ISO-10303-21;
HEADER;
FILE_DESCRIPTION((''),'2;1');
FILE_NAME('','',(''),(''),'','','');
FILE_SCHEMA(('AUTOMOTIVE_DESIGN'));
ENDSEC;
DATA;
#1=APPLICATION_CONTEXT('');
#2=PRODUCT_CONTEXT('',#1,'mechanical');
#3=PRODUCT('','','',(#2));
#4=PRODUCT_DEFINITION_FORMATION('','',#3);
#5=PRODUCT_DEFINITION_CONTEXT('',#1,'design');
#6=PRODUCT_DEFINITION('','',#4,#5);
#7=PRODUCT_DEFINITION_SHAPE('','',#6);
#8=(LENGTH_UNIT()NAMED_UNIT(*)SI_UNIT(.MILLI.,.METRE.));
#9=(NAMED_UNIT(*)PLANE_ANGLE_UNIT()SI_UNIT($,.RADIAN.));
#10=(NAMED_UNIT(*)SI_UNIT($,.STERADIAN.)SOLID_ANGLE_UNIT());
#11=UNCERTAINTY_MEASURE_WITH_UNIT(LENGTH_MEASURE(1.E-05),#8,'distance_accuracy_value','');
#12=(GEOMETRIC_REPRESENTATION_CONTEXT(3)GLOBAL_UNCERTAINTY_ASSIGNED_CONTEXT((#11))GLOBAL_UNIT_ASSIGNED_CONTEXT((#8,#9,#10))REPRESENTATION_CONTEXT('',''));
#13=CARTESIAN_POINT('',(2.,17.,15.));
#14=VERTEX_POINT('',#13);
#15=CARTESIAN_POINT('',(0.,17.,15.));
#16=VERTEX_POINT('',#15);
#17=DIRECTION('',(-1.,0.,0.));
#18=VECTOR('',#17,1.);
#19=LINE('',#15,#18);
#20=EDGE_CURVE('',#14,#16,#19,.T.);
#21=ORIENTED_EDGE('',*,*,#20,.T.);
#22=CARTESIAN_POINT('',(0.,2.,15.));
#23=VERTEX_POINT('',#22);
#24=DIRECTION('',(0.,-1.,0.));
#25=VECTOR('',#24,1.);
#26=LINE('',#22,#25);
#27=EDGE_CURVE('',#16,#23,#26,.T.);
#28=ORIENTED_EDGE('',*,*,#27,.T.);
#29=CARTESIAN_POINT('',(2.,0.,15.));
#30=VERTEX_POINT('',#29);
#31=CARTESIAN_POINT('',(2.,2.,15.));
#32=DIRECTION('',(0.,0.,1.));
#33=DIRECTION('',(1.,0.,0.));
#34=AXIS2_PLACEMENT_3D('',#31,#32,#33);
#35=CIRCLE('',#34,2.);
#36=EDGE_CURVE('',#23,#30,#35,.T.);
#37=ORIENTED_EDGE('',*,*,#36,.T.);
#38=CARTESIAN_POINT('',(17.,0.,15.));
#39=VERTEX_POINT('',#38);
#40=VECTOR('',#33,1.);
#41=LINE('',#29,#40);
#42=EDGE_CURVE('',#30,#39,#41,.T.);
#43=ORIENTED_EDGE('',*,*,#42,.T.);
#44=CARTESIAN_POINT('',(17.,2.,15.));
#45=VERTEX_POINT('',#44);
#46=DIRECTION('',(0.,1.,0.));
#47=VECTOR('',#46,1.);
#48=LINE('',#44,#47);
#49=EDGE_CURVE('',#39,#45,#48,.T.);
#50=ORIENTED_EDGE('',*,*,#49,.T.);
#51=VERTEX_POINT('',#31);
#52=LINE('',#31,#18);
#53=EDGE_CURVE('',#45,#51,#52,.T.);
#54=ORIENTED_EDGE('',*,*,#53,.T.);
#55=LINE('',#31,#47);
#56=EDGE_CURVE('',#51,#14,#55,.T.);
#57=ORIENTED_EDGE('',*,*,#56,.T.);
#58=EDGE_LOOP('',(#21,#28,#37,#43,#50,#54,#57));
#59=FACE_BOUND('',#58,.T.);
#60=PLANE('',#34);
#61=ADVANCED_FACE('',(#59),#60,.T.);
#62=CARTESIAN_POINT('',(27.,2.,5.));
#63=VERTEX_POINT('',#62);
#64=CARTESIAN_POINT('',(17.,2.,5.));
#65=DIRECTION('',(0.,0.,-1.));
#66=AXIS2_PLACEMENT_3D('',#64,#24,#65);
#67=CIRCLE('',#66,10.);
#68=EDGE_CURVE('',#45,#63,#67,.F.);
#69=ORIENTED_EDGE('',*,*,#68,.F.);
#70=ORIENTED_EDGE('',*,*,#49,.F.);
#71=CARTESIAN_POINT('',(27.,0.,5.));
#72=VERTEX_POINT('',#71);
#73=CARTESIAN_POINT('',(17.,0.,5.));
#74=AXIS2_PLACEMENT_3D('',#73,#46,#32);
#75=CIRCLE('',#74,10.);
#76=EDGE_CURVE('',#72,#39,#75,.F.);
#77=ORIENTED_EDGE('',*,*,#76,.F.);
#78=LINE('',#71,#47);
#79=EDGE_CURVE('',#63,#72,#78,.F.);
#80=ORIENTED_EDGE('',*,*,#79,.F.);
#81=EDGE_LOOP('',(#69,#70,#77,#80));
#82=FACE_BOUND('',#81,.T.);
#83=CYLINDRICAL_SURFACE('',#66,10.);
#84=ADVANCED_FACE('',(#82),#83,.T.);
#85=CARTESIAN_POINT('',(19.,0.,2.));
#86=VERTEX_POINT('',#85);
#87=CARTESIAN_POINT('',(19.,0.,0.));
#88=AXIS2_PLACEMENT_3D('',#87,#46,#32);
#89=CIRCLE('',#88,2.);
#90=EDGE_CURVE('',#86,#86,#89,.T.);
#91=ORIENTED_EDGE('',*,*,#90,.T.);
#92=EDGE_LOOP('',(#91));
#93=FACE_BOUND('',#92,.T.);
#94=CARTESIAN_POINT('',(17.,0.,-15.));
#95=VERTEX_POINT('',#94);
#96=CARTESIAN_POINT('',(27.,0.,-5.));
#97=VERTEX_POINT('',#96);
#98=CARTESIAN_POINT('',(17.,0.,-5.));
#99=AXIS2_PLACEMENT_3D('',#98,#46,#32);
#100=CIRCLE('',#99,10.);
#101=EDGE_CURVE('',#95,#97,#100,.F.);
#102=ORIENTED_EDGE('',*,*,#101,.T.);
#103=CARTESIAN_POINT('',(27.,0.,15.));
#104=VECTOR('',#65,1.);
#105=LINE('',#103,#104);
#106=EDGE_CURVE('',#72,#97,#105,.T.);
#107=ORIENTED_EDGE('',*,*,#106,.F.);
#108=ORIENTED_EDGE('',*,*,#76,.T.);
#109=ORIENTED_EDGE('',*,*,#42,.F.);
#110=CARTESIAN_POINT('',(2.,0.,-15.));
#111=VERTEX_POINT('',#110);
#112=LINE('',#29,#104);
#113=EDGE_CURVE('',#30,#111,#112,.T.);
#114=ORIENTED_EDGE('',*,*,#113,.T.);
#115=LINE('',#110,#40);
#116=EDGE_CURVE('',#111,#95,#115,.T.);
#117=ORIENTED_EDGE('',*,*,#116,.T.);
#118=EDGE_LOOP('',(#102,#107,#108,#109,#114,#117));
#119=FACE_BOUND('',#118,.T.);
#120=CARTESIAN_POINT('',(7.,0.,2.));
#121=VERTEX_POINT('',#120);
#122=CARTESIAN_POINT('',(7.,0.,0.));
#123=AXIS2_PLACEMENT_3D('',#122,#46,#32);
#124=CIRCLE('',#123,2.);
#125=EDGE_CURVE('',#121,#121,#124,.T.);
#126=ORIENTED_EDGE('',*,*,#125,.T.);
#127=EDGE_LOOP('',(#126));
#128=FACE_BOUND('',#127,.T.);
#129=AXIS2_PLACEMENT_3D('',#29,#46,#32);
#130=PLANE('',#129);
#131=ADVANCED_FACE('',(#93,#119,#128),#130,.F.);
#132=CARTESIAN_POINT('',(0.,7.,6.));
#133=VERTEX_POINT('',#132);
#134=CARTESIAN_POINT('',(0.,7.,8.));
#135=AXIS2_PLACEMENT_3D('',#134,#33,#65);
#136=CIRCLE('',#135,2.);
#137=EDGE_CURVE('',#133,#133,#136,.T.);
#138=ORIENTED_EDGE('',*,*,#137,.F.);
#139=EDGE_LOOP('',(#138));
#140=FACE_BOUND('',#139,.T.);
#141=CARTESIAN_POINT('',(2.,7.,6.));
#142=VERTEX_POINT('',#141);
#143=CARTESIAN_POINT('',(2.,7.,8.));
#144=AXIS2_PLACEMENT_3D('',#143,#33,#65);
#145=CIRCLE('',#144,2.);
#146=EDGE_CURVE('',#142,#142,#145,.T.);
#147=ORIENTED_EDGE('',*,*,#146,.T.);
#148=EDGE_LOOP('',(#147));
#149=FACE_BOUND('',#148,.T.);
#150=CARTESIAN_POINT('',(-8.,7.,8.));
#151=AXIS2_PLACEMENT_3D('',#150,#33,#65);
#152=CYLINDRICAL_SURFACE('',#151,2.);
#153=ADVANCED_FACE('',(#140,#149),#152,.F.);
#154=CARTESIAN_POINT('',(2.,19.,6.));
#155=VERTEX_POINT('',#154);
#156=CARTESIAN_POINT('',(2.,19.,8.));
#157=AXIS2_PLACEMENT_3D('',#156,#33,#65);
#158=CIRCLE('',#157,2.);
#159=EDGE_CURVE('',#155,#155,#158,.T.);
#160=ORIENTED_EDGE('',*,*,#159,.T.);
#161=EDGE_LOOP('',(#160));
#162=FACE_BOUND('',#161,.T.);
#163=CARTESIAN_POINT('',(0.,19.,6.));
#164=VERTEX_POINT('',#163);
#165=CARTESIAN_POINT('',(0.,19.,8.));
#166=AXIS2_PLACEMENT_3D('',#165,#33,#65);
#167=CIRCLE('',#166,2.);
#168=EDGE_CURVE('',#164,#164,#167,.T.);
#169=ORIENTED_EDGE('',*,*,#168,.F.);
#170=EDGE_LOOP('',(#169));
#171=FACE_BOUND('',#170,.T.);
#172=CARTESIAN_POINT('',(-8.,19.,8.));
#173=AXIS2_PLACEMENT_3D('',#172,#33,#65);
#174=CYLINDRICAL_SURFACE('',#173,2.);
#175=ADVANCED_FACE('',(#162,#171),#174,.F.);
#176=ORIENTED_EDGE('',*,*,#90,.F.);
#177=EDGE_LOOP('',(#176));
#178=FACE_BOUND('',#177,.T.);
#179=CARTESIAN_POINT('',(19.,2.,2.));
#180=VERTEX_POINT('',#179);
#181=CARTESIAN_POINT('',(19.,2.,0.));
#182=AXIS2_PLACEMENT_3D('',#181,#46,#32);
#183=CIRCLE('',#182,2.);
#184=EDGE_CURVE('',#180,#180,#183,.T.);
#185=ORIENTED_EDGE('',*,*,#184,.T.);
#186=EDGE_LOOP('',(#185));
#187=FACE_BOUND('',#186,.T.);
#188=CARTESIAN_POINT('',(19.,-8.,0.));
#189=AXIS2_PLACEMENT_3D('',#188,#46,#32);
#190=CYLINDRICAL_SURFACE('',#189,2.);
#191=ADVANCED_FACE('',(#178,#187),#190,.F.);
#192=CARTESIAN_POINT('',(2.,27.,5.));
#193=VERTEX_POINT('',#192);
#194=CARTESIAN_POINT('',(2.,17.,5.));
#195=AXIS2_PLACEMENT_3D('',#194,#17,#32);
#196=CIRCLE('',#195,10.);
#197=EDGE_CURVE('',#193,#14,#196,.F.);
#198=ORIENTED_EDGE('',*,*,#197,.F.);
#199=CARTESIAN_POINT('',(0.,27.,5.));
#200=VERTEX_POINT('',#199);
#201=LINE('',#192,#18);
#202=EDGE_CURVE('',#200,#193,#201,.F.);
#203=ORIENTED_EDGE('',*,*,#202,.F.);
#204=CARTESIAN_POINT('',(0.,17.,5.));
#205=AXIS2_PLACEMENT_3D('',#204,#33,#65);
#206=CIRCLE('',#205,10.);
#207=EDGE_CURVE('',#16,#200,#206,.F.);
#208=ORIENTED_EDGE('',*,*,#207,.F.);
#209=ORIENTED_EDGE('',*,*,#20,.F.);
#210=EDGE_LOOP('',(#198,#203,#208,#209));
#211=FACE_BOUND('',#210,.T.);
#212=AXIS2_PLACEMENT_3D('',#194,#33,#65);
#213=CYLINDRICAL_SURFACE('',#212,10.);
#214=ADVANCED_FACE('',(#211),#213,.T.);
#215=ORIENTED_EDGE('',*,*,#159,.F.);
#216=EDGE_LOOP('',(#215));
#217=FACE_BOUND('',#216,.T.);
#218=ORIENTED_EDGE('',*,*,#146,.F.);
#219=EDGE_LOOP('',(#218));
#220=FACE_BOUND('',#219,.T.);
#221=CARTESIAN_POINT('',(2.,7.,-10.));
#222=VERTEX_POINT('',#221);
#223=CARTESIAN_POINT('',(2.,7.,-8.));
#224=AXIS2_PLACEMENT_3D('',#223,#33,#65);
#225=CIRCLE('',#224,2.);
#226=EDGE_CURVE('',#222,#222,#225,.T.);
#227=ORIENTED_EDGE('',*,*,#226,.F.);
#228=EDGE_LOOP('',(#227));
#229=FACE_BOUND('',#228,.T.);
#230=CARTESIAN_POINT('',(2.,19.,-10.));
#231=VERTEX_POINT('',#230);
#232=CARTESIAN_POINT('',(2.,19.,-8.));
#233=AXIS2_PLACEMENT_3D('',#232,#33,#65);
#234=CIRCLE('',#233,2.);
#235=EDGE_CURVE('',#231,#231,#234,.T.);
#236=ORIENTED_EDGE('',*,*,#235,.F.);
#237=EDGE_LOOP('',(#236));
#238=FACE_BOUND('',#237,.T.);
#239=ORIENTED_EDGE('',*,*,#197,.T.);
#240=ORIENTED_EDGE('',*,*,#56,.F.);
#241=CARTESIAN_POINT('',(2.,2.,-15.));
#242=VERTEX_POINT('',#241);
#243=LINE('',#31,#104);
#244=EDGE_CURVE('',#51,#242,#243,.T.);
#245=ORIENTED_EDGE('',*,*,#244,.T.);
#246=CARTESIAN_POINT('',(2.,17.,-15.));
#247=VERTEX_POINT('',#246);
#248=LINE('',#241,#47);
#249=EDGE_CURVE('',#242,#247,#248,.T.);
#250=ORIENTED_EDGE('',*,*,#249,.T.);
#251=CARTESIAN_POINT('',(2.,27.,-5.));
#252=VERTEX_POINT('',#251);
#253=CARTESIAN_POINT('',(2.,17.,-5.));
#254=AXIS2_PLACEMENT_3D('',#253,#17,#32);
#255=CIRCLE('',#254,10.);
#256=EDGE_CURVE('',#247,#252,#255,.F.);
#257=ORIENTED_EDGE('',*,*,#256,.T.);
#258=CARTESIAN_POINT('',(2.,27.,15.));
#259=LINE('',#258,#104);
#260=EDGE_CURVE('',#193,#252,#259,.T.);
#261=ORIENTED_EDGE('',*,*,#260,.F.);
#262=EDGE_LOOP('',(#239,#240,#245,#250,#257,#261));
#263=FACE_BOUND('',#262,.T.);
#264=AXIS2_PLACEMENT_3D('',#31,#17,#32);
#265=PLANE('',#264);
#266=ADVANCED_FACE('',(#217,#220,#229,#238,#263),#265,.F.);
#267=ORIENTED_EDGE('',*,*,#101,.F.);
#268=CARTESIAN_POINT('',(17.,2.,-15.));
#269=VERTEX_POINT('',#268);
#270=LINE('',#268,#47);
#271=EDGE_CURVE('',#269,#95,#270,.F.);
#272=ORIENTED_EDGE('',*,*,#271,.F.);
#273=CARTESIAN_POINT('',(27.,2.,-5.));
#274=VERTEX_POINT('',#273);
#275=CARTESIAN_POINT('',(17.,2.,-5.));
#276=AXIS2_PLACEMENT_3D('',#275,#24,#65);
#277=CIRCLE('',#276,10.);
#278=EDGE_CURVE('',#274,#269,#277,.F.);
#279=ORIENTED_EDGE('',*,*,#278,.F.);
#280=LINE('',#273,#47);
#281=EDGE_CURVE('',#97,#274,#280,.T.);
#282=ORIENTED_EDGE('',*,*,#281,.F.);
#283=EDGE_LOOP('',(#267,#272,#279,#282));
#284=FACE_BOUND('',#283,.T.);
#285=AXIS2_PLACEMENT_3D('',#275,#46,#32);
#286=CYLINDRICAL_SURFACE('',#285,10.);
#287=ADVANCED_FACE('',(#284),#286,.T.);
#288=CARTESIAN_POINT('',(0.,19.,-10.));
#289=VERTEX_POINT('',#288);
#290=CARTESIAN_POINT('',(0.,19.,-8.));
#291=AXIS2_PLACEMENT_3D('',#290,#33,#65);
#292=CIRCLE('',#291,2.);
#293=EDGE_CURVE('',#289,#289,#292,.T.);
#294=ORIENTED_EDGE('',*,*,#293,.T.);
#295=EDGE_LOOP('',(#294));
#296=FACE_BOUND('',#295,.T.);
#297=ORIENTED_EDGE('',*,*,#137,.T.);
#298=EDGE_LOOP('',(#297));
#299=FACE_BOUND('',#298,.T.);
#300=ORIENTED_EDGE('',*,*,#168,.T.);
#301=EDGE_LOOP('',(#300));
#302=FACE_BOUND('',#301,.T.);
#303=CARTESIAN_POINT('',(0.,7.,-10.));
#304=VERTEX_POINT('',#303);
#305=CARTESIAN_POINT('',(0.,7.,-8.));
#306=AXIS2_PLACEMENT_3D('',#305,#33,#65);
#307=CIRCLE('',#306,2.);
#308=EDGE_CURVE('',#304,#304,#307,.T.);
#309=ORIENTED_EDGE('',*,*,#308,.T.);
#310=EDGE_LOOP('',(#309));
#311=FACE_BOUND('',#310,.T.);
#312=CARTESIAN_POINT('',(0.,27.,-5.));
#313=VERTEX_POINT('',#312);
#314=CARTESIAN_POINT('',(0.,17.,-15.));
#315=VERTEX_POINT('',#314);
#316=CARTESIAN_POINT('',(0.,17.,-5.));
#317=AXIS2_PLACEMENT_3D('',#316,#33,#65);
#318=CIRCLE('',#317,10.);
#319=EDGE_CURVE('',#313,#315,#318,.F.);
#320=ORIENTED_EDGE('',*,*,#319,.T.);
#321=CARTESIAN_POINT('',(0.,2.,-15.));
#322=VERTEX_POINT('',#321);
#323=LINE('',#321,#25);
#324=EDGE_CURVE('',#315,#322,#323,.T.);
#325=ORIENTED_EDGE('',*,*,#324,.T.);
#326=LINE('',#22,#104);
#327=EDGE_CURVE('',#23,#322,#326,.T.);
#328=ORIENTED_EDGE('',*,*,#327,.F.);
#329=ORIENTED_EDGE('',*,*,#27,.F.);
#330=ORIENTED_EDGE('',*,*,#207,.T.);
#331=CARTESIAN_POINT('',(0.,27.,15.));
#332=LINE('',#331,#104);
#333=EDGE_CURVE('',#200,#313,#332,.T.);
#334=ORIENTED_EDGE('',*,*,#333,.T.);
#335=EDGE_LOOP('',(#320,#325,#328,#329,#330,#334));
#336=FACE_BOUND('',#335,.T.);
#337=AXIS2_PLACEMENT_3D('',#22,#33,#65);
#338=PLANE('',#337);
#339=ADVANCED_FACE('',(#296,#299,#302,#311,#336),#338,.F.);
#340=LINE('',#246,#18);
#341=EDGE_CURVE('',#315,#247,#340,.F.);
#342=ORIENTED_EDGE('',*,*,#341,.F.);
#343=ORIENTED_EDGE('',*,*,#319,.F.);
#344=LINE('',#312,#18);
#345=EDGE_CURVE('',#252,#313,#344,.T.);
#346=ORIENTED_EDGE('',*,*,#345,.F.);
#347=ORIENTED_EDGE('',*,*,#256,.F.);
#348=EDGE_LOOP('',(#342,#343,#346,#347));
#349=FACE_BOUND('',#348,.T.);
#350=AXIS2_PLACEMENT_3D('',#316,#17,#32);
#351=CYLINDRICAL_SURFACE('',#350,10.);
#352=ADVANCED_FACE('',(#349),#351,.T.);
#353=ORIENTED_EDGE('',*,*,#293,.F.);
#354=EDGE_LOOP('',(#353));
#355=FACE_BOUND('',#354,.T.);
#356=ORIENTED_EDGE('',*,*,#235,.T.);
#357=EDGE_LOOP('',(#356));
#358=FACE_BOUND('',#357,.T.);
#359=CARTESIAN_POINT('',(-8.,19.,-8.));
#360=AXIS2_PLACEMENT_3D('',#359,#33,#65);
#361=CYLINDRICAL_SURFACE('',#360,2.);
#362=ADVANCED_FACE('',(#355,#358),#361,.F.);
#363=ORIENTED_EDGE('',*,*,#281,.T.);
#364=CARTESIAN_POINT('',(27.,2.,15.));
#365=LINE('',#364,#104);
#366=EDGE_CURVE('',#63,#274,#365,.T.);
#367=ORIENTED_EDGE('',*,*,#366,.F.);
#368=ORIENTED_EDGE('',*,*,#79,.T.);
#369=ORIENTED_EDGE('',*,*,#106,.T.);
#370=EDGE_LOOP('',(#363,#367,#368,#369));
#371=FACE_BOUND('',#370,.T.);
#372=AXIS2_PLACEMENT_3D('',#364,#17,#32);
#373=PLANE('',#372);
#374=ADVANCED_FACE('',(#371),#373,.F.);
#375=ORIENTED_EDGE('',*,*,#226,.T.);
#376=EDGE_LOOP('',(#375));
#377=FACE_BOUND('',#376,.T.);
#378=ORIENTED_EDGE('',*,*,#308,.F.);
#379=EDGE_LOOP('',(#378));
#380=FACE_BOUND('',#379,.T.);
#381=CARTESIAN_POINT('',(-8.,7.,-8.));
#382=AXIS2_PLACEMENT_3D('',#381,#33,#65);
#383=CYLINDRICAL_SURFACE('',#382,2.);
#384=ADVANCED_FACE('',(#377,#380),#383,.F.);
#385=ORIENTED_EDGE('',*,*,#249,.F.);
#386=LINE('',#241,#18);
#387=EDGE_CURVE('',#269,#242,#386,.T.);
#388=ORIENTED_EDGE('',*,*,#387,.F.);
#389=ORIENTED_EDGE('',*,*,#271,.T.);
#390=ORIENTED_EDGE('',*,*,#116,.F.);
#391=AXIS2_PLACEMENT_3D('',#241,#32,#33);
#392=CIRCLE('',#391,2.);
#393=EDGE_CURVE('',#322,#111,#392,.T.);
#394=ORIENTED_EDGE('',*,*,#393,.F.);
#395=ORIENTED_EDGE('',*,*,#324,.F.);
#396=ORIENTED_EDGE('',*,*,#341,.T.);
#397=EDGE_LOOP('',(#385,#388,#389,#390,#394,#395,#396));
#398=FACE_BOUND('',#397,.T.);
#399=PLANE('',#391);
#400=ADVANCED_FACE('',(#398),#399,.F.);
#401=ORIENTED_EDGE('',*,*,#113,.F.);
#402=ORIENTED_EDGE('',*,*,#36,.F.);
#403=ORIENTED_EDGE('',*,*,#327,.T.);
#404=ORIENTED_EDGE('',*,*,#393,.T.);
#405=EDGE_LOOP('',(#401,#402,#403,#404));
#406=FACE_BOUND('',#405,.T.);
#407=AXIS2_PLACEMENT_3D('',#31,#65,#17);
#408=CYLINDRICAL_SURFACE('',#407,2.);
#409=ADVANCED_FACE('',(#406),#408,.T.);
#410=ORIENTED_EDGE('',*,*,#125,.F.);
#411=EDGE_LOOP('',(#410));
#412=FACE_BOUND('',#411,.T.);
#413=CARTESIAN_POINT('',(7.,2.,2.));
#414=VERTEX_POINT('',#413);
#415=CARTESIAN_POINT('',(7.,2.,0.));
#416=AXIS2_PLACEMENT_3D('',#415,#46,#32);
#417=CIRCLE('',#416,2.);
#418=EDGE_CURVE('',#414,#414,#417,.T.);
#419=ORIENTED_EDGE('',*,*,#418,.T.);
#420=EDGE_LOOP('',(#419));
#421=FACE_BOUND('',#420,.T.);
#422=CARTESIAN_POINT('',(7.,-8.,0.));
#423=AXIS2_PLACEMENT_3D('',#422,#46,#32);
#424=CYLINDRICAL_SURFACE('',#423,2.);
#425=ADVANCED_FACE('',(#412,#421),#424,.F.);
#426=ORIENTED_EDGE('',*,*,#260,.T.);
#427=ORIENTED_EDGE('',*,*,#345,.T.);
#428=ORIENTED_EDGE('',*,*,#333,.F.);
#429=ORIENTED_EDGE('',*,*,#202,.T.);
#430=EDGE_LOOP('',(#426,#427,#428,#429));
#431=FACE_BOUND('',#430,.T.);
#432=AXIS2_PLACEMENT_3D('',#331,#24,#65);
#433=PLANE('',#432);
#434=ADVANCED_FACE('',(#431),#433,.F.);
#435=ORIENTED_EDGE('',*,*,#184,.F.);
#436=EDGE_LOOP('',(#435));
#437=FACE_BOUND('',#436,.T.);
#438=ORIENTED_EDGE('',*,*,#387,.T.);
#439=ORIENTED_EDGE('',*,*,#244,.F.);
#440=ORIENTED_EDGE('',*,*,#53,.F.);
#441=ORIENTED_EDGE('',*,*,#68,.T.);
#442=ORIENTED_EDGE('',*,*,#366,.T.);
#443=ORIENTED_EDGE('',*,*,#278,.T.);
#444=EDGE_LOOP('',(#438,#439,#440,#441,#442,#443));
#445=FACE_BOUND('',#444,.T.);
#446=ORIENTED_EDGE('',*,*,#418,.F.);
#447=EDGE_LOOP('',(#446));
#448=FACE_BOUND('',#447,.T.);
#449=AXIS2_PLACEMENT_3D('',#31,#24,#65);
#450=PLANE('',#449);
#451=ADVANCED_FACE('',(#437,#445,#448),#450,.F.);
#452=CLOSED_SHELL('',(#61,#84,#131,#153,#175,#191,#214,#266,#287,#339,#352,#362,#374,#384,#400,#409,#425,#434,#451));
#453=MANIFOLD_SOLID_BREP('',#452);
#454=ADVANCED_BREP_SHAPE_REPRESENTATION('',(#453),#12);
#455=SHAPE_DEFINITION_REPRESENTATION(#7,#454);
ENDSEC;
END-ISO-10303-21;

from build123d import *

# Parameters (mm, degrees)
BOSS_EXTRU_1_DEPTH = 15
CONG_1_R           = 10
SKETCH4_R          = 2
CUT_EXTRUDE3_DEPTH = 10
SKETCH5_R          = 2
CUT_EXTRUDE4_DEPTH = 10


with BuildPart() as part:
    # Esquisse1 → Boss.-Extru.1 (new, symmetric)
    with BuildSketch(Plane.XY):
        with BuildLine():
            Line((0, 2), (0, 27))
            Line((0, 27), (2, 27))
            Line((2, 27), (2, 2))
            Line((2, 2), (27, 2))
            Line((27, 2), (27, 0))
            Line((27, 0), (2, 0))
            ThreePointArc((2, 0), (0.585786438, 0.585786438), (0, 2))
        make_face()
    extrude(amount=BOSS_EXTRU_1_DEPTH, both=True)

    # Congé1
    cong_1_edges = [part.edges().sort_by_distance(p)[0] for p in [
        (27, 1, 15),
        (1, 27, 15),
        (27, 1, -15),
        (1, 27, -15),
    ]]
    fillet(cong_1_edges, radius=CONG_1_R)

    # Sketch4 → Cut-Extrude3 (cut)
    with BuildSketch(Plane(origin=(0, 2, 0), x_dir=(1, 0, 0), z_dir=(0, 1, 0))):
        with Locations(Location((7, 0, 0), (0, 0, 270))):
            Circle(SKETCH4_R)
        with Locations(Location((19, 0, 0), (0, 0, 270))):
            Circle(SKETCH4_R)
    extrude(amount=-CUT_EXTRUDE3_DEPTH, mode=Mode.SUBTRACT)

    # Sketch5 → Cut-Extrude4 (cut)
    with BuildSketch(Plane(origin=(2, 0, 0), x_dir=(0, 0, -1), z_dir=(1, 0, 0))):
        with Locations((-8, 19)):
            Circle(SKETCH5_R)
        with Locations((8, 19)):
            Circle(SKETCH5_R)
        with Locations((8, 7)):
            Circle(SKETCH5_R)
        with Locations((-8, 7)):
            Circle(SKETCH5_R)
    extrude(amount=-CUT_EXTRUDE4_DEPTH, mode=Mode.SUBTRACT)


solid = part.part
